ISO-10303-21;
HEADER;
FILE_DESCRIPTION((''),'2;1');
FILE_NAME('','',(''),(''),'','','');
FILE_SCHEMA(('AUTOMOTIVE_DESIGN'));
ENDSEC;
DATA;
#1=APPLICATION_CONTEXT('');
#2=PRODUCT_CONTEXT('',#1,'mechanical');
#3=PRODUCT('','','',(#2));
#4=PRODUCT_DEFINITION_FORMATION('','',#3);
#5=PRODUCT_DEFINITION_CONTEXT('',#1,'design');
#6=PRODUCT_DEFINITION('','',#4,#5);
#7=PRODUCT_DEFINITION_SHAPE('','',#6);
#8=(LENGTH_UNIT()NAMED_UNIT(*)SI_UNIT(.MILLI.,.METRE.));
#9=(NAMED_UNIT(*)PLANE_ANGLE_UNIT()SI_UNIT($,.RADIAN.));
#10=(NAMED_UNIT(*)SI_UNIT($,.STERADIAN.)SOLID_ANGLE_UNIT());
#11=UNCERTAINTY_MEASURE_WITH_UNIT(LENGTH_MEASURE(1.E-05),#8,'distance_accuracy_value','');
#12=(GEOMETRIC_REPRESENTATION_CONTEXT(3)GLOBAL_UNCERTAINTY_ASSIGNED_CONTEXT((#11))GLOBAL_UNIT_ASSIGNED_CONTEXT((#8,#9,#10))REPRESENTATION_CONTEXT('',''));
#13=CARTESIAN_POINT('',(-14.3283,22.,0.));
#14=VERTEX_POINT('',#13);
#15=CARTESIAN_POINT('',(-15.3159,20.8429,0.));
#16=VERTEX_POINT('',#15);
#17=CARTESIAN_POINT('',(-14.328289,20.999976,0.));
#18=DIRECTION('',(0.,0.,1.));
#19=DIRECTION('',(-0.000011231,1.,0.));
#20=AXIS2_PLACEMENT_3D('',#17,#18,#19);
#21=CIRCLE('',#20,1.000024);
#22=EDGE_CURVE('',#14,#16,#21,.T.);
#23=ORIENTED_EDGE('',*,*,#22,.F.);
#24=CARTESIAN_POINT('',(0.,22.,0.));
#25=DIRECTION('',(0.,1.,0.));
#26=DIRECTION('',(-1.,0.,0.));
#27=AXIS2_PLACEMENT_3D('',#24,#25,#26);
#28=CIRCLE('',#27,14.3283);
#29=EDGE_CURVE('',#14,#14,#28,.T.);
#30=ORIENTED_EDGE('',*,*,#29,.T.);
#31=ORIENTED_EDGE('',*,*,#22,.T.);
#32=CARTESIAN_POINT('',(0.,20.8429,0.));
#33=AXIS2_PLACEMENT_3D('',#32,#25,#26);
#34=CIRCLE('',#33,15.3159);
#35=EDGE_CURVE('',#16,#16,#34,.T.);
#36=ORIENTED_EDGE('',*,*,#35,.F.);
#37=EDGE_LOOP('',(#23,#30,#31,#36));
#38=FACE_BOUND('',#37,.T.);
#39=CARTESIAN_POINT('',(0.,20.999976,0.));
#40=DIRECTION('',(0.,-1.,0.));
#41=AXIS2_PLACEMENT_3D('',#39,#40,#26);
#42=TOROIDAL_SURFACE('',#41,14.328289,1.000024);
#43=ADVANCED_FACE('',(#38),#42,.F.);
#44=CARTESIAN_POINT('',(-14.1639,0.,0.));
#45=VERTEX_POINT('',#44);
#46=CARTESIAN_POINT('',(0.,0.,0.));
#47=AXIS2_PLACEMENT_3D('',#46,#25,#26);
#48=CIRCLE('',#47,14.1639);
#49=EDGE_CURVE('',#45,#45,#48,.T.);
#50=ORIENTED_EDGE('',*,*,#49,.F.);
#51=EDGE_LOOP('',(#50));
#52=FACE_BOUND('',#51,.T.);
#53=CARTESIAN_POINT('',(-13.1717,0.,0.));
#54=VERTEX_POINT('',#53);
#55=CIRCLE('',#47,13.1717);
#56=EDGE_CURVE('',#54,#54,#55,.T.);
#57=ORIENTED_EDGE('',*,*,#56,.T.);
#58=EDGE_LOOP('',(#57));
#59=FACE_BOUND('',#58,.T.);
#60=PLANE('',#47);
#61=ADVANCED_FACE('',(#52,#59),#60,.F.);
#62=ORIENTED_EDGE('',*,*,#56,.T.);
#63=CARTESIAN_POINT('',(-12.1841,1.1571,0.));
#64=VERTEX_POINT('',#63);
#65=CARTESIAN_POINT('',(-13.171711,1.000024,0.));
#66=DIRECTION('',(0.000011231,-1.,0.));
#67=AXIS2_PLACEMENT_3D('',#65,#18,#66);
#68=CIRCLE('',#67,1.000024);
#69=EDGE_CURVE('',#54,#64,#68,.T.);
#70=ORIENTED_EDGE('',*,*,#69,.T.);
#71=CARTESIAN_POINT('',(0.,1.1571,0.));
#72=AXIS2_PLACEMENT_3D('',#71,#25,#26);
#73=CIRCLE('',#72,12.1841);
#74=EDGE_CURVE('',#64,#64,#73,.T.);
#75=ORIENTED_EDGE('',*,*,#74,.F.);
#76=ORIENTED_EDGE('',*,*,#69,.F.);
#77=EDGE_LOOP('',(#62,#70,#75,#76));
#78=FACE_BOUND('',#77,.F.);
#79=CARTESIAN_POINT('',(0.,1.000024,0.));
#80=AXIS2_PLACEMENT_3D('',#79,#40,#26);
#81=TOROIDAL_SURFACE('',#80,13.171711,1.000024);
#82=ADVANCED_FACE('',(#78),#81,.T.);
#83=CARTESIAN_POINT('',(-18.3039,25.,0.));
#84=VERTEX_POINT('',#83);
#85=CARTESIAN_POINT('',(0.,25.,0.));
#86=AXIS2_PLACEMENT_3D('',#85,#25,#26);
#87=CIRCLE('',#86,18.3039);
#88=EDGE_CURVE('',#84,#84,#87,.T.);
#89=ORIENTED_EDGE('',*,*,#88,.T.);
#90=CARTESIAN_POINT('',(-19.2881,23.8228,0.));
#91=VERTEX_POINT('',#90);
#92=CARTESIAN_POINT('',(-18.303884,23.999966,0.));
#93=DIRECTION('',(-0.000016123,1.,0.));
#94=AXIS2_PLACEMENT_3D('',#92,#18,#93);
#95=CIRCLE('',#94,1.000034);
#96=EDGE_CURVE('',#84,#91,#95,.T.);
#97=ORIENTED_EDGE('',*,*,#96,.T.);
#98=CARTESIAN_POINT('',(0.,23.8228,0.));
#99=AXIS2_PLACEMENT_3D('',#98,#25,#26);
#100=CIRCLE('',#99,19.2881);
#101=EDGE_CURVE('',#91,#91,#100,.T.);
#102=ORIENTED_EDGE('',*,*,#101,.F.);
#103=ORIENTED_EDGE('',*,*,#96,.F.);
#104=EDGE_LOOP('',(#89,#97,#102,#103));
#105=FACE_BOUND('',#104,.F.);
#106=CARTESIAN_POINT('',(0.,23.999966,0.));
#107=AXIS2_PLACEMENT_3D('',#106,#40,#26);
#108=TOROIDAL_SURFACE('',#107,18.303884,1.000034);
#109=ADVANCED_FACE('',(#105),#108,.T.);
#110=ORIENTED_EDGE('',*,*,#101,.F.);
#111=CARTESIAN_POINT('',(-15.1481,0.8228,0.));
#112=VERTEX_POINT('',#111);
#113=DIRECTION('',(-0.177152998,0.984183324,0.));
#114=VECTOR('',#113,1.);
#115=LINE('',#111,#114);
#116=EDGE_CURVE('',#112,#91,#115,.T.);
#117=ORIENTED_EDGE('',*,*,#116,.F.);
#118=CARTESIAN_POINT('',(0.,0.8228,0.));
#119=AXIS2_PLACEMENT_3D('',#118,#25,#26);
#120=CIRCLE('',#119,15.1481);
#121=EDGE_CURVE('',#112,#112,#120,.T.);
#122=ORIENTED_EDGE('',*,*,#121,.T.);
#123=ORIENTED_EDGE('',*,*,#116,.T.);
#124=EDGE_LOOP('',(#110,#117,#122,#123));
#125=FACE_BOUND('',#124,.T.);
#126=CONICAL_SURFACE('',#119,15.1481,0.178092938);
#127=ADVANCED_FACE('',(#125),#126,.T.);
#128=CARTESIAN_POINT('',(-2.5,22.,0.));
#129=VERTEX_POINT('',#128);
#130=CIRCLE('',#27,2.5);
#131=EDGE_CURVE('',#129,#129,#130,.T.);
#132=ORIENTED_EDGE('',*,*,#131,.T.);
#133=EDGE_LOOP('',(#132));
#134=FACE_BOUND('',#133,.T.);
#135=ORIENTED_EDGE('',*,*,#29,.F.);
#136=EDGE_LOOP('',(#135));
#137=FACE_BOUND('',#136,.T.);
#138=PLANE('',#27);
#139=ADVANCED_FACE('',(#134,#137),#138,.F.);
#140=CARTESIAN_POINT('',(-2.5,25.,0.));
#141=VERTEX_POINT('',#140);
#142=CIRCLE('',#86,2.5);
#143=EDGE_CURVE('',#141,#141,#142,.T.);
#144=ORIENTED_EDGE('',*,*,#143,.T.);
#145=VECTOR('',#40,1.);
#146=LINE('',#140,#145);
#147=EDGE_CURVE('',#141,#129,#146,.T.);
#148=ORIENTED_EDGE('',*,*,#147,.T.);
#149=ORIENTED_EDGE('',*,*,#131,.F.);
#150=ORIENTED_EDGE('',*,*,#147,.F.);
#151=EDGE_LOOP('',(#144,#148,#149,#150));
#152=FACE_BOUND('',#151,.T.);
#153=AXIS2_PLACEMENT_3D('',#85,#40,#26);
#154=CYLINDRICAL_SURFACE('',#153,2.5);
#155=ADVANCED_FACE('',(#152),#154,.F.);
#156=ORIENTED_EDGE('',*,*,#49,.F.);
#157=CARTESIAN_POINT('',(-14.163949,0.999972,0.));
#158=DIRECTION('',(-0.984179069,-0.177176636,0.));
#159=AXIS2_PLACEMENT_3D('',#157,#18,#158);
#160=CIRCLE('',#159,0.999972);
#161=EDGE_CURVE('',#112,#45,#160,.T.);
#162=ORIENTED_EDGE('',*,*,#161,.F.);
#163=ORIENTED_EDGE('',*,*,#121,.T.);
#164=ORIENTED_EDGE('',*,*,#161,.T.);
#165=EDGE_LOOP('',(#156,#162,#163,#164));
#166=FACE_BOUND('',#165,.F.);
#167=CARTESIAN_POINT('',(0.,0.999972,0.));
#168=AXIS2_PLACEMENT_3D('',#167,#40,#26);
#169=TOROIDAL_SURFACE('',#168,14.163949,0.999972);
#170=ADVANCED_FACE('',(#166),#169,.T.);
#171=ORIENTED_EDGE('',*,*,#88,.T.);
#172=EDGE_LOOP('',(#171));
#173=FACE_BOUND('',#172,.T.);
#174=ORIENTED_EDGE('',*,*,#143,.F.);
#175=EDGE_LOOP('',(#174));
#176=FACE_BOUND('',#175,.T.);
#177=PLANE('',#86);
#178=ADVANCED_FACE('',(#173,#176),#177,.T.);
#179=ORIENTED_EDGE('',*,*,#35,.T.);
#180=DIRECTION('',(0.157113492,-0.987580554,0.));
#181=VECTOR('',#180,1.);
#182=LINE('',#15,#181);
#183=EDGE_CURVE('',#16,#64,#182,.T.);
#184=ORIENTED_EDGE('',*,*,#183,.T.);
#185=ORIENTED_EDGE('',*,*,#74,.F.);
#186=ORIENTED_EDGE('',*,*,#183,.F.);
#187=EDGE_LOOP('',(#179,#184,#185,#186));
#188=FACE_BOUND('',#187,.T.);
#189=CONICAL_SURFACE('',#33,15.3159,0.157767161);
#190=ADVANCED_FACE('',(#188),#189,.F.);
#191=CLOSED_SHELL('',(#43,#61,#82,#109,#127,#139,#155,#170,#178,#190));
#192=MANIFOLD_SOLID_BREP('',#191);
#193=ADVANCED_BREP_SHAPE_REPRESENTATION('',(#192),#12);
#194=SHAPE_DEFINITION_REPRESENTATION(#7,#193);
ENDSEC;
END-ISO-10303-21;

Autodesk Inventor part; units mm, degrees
ref_plane "YZ Plane" through (0, 0, 0) normal (1, 0, 0) x (0, 1, 0)
ref_plane "XZ Plane" through (0, 0, 0) normal (0, 1, 0) x (-1, 0, 0)
ref_plane "XY Plane" through (0, 0, 0) normal (0, 0, 1) x (1, 0, 0)
sketch "Sketch5" plane through (0, 0, 0) normal (0, 0, 1) x (1, 0, 0)
  line L0 (20, 0) -> (-20, 0) projected
  line L1 (-15.1481, 0.8228) -> (-19.2881, 23.8228)
  line L2 (-18.3039, 25) -> (-2.5, 25)
  line L3 (-2.5, 25) -> (-2.5, 22)
  line L4 (-2.5, 22) -> (-14.3283, 22)
  line L5 (-15.3159, 20.8429) -> (-12.1841, 1.1571)
  line L6 (-14.5, 0) -> (14.5, 0) projected
  arc A0 (-14.3283, 22) -> (-15.3159, 20.8429) centre (-14.3283, 21) ccw
  arc A1 (-18.3039, 25) -> (-19.2881, 23.8228) centre (-18.3039, 24) ccw
  line L7 (-14.1639, 0) -> (-13.1717, 0)
  arc A2 (-13.1717, 0) -> (-12.1841, 1.1571) centre (-13.1717, 1) ccw
  arc A3 (-15.1481, 0.8228) -> (-14.1639, 0) centre (-14.1639, 1) ccw
  line L8 (-28, 0) -> (28, 0) projected
  line L9 (0, -5.3193) -> (0, 30.3215) projected
  point P0 (0, 0)
  point P1 (-15, 0)
  point P2 (-19.5, 25)
  point P3 (-15.5, 22)
  point P4 (-12, 0)
  point P5 (0, 0)
  point P6 (0, 0)
  point P7 (-2.5, 23.5)
  dimension "d21" = 17
  dimension "d22" = 12
  dimension "d23" = 15
  dimension "d24" = 13
  dimension "d25" = 2.5
  dimension "d26" = 25
  dimension "d27" = 3
  dimension "d28" = 1
  dimension "d29" = 1
revolve "Revolution1" add sketch "Sketch5" angle 360 about axis through (0, -10, 0) along (0, 1, 0)
equation "\"BendRadius\" = Thickness"
equation "\"BendReliefWidth\" = Thickness"
equation "\"BendReliefDepth\" = 0.5 * Thickness"
equation "\"CornerReliefSize\" = 4 * Thickness"
equation "\"MinimumRemnant\" = 2 * Thickness"
equation "\"TransitionRadius\" = BendRadius"
equation "\"JacobiRadiusSize\" = BendRadius"
equation "\"GapSize\" = Thickness"
equation "\"Thickness\" = 0.5"
properties part number "Pés" material "Rubber, Silicone"
